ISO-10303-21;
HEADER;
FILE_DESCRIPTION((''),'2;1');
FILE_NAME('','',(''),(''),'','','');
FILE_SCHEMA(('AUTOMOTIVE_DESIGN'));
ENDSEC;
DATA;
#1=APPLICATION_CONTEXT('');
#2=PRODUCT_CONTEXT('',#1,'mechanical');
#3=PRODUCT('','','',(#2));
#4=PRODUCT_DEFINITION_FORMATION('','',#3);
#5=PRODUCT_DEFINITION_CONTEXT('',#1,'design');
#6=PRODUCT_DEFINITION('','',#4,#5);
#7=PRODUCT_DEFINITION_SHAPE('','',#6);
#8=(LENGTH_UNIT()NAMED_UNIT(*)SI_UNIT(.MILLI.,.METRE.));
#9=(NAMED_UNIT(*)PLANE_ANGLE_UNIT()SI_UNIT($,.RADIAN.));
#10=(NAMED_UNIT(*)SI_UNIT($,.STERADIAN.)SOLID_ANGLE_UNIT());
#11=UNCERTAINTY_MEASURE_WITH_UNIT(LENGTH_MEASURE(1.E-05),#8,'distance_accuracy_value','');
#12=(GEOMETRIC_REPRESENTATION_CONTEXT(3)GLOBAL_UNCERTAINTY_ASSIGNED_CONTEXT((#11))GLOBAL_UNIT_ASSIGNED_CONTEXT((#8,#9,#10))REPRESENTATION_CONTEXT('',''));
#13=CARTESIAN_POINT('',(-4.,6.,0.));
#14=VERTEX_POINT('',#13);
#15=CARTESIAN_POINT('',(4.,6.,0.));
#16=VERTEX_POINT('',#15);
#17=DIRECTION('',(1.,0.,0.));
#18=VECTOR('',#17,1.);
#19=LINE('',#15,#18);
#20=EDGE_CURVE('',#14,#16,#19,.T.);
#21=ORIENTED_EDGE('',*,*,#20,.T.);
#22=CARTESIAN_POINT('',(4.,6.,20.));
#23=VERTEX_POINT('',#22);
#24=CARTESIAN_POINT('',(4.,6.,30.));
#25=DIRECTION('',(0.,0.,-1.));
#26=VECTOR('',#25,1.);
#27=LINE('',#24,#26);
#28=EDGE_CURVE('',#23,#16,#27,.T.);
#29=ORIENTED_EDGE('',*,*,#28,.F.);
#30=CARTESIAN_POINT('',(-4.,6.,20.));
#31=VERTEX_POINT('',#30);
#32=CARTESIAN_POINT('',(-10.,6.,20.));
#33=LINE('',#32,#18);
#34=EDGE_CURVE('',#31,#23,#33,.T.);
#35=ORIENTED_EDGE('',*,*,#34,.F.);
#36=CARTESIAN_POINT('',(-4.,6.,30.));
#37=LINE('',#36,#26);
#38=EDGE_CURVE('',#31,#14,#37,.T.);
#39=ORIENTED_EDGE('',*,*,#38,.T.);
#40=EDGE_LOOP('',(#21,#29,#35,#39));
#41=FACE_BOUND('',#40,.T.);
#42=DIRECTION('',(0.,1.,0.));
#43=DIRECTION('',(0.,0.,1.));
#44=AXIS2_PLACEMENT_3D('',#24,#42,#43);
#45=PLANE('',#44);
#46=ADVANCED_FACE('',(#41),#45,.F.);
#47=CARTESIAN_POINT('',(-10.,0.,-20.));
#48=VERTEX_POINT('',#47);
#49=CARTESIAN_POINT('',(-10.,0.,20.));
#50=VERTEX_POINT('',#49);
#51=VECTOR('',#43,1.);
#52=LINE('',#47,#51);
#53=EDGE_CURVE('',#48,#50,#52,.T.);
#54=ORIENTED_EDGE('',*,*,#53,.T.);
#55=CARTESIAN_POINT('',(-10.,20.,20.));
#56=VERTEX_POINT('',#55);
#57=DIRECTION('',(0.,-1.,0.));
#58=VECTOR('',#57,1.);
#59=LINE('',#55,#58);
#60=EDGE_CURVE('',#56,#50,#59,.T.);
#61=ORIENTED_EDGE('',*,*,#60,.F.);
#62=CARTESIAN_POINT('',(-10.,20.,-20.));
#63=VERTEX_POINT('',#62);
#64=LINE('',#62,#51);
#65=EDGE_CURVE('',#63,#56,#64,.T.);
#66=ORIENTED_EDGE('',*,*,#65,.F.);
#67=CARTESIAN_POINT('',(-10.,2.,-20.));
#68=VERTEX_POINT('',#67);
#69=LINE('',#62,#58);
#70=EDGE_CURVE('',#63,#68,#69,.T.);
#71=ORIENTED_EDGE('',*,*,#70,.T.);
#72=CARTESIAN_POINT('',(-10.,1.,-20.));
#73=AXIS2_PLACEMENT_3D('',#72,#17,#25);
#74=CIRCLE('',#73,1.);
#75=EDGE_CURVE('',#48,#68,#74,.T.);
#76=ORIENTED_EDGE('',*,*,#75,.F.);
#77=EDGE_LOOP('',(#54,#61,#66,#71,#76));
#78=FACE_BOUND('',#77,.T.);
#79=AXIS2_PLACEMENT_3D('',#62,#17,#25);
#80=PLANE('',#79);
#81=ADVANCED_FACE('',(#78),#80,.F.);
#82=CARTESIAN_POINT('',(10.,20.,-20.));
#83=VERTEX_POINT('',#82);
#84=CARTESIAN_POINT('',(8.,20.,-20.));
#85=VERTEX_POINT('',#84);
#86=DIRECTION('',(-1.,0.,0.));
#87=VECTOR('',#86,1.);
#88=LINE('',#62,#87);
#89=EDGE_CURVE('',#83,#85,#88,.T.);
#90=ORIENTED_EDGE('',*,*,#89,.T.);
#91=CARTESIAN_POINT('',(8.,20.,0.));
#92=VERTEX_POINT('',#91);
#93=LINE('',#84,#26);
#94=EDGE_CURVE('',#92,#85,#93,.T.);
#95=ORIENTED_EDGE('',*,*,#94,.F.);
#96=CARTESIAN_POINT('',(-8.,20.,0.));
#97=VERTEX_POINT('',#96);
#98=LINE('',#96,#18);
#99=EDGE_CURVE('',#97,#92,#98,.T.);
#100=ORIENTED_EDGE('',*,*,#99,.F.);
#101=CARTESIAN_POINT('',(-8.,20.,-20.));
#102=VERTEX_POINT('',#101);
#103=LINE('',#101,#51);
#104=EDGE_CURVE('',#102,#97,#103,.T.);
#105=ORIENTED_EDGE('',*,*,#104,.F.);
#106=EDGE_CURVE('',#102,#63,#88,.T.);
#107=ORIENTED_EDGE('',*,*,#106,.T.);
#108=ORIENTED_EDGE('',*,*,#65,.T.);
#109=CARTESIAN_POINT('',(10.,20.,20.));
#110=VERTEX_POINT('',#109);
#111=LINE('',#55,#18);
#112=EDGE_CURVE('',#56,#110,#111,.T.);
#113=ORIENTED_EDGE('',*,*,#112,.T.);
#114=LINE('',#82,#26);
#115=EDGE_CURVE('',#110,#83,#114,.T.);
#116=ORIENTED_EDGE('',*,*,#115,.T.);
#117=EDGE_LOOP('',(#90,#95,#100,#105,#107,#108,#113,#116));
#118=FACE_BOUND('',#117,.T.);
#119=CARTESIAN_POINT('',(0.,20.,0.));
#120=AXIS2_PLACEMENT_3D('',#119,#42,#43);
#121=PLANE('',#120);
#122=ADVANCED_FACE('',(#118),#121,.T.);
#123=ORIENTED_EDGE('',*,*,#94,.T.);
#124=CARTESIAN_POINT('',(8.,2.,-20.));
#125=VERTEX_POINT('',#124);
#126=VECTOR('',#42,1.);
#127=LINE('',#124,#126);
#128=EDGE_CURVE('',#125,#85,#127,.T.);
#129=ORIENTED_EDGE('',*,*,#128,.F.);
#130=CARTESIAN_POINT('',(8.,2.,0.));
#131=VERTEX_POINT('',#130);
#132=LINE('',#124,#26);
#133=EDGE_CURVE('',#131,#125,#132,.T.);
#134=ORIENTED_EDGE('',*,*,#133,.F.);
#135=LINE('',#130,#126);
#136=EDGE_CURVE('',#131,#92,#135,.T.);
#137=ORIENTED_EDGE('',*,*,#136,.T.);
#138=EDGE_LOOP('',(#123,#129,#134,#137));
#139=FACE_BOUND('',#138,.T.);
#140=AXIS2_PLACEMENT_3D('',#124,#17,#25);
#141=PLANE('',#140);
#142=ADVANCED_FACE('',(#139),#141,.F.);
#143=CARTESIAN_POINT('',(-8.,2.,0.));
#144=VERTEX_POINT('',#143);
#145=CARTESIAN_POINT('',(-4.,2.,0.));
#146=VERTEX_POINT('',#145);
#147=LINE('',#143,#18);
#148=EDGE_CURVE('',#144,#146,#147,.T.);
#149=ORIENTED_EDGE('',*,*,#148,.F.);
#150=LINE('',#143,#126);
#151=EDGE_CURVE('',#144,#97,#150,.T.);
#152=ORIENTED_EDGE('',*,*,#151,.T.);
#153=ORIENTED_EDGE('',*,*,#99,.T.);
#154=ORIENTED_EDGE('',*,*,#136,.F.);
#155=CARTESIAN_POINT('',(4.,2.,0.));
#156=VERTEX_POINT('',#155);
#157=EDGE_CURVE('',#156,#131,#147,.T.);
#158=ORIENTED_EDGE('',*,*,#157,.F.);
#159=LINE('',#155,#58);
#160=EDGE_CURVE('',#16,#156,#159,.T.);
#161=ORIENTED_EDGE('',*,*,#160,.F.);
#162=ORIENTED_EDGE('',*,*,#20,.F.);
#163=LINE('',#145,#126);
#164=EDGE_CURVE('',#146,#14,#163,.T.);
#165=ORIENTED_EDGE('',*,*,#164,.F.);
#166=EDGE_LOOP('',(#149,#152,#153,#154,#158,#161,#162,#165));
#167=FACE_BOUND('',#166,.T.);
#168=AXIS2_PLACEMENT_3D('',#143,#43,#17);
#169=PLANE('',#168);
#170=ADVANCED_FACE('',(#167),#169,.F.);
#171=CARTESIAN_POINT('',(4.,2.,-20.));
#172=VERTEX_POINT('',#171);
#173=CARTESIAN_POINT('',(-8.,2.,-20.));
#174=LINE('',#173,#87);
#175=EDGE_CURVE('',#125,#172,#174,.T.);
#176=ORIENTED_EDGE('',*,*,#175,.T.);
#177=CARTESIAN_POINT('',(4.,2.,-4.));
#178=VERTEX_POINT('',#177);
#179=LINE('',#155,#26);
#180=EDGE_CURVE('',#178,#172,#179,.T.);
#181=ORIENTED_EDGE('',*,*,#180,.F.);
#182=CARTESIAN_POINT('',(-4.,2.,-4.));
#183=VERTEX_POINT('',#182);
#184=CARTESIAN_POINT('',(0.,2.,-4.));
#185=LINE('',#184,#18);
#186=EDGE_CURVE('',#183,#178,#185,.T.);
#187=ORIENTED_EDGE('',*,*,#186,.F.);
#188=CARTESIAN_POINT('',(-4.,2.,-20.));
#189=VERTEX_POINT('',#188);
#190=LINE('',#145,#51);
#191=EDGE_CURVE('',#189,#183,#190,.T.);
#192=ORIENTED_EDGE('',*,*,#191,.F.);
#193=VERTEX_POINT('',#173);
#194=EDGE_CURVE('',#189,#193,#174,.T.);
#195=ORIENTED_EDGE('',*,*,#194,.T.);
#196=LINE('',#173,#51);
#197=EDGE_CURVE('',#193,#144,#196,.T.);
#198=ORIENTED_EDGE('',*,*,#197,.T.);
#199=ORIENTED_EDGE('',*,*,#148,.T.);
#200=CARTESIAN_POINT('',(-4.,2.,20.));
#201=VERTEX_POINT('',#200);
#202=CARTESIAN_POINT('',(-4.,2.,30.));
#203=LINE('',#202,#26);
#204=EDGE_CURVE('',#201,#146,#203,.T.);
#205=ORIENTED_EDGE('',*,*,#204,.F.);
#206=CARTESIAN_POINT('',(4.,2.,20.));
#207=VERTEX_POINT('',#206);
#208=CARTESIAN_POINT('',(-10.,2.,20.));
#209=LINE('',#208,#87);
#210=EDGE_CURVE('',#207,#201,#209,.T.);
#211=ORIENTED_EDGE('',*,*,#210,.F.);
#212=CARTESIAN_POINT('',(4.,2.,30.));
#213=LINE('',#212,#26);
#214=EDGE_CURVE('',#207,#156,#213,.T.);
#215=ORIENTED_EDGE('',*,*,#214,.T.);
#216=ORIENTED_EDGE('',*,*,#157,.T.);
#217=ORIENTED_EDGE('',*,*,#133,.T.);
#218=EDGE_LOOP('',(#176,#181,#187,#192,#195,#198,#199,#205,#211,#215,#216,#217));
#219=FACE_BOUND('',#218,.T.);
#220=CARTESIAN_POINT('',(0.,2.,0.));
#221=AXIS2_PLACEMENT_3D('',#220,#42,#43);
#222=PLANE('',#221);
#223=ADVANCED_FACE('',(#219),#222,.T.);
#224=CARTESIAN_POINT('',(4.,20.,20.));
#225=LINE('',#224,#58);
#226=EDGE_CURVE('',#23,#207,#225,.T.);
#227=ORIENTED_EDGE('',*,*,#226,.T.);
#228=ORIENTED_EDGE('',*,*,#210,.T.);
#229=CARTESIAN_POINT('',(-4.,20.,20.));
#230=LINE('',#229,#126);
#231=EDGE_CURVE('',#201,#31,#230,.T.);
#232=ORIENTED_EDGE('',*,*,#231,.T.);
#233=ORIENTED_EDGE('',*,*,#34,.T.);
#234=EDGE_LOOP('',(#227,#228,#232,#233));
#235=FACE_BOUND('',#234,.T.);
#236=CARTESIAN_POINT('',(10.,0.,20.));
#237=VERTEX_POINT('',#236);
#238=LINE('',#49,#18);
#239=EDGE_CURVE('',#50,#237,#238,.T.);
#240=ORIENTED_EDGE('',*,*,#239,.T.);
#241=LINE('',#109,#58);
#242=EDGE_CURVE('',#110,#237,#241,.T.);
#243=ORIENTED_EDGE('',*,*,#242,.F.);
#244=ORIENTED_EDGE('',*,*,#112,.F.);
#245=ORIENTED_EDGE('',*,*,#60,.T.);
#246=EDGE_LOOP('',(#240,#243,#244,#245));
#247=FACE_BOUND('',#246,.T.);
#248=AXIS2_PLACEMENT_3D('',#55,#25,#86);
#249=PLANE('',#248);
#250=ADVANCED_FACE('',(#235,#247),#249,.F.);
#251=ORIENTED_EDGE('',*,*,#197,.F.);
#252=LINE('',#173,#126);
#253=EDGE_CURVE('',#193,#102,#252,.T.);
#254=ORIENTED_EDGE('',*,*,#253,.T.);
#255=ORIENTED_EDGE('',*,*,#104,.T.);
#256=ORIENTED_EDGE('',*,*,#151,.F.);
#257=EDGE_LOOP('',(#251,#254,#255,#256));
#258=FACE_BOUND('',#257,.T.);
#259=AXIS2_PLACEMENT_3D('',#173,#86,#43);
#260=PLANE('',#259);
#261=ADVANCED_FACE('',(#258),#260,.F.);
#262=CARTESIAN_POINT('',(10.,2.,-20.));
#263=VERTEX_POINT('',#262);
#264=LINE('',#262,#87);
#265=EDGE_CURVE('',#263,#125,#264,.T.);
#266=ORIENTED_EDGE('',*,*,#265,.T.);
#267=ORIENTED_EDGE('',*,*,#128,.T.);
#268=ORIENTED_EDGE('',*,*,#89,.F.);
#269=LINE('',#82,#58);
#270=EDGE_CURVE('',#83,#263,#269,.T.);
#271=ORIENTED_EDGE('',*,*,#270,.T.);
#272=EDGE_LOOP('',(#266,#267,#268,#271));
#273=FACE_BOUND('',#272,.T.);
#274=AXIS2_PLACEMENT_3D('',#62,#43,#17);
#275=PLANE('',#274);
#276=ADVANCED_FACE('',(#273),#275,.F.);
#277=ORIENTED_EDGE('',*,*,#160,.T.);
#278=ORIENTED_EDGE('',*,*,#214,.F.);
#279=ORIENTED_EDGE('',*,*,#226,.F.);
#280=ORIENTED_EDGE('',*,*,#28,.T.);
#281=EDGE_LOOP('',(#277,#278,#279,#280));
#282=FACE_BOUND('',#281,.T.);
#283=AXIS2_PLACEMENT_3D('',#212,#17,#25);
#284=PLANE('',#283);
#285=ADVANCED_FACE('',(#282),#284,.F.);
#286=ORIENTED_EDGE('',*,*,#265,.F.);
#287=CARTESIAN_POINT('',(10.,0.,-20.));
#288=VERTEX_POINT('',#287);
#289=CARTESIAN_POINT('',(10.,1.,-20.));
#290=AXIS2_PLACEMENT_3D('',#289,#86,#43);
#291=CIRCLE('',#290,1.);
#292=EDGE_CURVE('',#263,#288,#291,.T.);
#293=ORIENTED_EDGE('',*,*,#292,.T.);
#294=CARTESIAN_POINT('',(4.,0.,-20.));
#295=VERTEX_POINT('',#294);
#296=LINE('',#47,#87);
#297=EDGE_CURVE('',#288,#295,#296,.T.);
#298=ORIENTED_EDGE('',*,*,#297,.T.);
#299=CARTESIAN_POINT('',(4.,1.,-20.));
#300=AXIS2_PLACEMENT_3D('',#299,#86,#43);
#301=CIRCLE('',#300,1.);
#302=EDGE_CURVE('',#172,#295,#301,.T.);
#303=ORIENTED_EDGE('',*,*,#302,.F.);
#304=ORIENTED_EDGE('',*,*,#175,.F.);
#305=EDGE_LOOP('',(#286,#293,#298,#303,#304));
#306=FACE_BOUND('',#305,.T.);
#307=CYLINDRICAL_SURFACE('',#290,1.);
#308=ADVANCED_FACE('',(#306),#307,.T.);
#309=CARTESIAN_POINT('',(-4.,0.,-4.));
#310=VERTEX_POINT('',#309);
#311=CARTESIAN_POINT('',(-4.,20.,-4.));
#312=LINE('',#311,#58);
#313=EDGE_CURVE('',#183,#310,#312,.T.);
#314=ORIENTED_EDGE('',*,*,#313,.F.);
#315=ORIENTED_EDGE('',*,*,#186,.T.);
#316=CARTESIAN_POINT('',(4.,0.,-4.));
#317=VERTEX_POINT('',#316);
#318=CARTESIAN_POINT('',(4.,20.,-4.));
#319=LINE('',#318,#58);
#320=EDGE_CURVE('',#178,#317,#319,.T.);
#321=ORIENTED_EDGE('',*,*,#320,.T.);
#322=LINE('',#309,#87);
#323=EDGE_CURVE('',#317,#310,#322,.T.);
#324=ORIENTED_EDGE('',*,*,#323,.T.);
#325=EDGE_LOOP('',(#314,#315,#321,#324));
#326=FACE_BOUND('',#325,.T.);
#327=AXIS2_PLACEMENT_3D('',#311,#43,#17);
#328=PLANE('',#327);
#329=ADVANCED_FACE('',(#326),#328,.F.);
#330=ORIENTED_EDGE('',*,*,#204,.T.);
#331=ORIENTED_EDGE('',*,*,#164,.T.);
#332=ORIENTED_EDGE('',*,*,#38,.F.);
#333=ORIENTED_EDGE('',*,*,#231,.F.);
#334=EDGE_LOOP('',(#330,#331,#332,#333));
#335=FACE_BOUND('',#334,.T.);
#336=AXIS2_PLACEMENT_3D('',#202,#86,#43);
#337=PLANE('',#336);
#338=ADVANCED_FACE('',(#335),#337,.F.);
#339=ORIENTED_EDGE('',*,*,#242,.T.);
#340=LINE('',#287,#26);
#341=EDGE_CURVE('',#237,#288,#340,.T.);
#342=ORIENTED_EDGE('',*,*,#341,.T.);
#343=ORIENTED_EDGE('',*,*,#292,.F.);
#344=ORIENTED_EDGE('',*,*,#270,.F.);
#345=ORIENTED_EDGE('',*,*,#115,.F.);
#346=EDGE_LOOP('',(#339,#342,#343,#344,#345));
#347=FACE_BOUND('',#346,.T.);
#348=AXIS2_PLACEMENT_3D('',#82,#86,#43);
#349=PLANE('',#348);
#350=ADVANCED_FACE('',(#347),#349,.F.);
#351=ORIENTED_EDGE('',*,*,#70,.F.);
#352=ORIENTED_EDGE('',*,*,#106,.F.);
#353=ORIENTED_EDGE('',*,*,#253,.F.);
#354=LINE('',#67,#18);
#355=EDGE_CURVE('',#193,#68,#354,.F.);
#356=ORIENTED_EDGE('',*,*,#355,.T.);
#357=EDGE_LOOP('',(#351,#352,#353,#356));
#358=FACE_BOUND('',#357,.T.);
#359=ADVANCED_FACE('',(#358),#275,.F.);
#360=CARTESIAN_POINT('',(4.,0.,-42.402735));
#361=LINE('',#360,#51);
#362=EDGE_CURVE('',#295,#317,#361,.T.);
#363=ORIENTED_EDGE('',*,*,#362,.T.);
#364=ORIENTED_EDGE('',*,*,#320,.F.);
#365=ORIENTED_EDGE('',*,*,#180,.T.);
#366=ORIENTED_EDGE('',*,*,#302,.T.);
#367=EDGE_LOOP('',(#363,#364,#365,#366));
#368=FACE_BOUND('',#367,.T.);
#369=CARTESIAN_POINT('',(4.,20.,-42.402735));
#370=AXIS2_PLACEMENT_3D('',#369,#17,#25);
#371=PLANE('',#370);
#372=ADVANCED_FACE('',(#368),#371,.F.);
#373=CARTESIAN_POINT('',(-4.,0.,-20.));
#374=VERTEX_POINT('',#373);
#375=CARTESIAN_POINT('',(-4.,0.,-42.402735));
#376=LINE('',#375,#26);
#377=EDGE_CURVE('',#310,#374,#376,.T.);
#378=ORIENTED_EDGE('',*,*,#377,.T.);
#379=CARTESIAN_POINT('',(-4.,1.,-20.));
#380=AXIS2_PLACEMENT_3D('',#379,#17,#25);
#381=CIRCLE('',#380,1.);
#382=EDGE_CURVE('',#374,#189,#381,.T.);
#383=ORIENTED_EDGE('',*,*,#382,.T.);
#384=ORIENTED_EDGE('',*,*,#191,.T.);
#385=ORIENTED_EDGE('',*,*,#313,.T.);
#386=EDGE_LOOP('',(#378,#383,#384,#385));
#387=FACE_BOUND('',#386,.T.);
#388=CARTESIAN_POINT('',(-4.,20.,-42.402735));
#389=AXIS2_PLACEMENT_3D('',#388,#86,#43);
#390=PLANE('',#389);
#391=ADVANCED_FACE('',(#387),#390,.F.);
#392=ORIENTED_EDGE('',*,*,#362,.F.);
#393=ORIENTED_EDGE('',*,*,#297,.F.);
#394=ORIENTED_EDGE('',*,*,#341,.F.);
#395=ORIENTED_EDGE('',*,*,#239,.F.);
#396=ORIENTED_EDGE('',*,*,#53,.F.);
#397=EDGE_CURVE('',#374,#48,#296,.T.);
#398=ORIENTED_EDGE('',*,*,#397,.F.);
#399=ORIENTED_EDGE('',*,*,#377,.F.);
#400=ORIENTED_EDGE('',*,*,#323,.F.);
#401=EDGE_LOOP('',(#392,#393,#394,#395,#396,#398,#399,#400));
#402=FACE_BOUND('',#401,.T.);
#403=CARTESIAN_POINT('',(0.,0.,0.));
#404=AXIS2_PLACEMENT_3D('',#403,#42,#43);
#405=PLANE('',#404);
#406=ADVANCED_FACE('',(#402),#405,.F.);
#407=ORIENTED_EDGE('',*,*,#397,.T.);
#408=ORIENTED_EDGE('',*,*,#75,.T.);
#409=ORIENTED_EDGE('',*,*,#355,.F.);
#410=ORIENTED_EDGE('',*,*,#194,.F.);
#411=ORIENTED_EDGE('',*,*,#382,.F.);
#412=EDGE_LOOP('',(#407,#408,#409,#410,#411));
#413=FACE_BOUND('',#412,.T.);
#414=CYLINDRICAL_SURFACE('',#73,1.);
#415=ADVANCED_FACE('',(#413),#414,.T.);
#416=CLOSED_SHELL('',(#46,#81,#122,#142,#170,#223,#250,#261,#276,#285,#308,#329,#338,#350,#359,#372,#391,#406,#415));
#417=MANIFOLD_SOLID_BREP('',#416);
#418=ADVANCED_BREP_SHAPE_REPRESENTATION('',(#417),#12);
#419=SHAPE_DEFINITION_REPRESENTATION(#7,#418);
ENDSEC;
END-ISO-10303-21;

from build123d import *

# Parameters (mm, degrees)
SKETCH_1_W          = 20
SKETCH_1_H          = 40
EXTRUDE_1_DEPTH     = 20
SKETCH_2_W          = 16
SKETCH_2_H          = 20
CUT_EXTRUDE_1_DEPTH = 18
SKETCH_3_W          = 8
SKETCH_3_H          = 38.402735184
CUT_EXTRUDE_2_DEPTH = 20
SKETCH_4_R          = 1
EXTRUDE_2_DEPTH     = 6
SKETCH_5_R          = 1
EXTRUDE_3_DEPTH     = 6
SKETCH_6_W          = 8
SKETCH_6_H          = 4
CUT_EXTRUDE_3_DEPTH = 30


with BuildPart() as part:
    # 草图1 → 凸台-拉伸1 (new body)
    with BuildSketch(Plane(origin=(0, 0, 0), x_dir=(1, 0, 0), z_dir=(0, 1, 0))):
        Rectangle(SKETCH_1_W, SKETCH_1_H)
    extrude(amount=EXTRUDE_1_DEPTH)

    # 草图2 → 切除-拉伸1 (cut)
    with BuildSketch(Plane(origin=(0, 20, 0), x_dir=(1, 0, 0), z_dir=(0, 1, 0))):
        with Locations((0, 10)):
            Rectangle(SKETCH_2_W, SKETCH_2_H)
    extrude(amount=-CUT_EXTRUDE_1_DEPTH, mode=Mode.SUBTRACT)

    # 草图3 → 切除-拉伸2 (cut)
    with BuildSketch(Plane.XZ):
        with Locations((0, -23.201367592)):
            Rectangle(SKETCH_3_W, SKETCH_3_H)
    extrude(amount=-CUT_EXTRUDE_2_DEPTH, mode=Mode.SUBTRACT)

    # 草图4 → 凸台-拉伸2 (add)
    with BuildSketch(Plane(origin=(-4, 0, 0), x_dir=(0, 0, -1), z_dir=(1, 0, 0))):
        with Locations((20, 1)):
            Circle(SKETCH_4_R)
    extrude(amount=-EXTRUDE_2_DEPTH)

    # 草图5 → 凸台-拉伸3 (add)
    with BuildSketch(Plane.ZY.offset(-4)):
        with Locations((-20, 1)):
            Circle(SKETCH_5_R)
    extrude(amount=-EXTRUDE_3_DEPTH)

    # 草图6 → 切除-拉伸3 (cut)
    with BuildSketch(Plane(origin=(0, 0, 0), x_dir=(-1, 0, 0), z_dir=(0, 0, -1))):
        with Locations((0, 4)):
            Rectangle(SKETCH_6_W, SKETCH_6_H)
    extrude(amount=-CUT_EXTRUDE_3_DEPTH, mode=Mode.SUBTRACT)


solid = part.part
